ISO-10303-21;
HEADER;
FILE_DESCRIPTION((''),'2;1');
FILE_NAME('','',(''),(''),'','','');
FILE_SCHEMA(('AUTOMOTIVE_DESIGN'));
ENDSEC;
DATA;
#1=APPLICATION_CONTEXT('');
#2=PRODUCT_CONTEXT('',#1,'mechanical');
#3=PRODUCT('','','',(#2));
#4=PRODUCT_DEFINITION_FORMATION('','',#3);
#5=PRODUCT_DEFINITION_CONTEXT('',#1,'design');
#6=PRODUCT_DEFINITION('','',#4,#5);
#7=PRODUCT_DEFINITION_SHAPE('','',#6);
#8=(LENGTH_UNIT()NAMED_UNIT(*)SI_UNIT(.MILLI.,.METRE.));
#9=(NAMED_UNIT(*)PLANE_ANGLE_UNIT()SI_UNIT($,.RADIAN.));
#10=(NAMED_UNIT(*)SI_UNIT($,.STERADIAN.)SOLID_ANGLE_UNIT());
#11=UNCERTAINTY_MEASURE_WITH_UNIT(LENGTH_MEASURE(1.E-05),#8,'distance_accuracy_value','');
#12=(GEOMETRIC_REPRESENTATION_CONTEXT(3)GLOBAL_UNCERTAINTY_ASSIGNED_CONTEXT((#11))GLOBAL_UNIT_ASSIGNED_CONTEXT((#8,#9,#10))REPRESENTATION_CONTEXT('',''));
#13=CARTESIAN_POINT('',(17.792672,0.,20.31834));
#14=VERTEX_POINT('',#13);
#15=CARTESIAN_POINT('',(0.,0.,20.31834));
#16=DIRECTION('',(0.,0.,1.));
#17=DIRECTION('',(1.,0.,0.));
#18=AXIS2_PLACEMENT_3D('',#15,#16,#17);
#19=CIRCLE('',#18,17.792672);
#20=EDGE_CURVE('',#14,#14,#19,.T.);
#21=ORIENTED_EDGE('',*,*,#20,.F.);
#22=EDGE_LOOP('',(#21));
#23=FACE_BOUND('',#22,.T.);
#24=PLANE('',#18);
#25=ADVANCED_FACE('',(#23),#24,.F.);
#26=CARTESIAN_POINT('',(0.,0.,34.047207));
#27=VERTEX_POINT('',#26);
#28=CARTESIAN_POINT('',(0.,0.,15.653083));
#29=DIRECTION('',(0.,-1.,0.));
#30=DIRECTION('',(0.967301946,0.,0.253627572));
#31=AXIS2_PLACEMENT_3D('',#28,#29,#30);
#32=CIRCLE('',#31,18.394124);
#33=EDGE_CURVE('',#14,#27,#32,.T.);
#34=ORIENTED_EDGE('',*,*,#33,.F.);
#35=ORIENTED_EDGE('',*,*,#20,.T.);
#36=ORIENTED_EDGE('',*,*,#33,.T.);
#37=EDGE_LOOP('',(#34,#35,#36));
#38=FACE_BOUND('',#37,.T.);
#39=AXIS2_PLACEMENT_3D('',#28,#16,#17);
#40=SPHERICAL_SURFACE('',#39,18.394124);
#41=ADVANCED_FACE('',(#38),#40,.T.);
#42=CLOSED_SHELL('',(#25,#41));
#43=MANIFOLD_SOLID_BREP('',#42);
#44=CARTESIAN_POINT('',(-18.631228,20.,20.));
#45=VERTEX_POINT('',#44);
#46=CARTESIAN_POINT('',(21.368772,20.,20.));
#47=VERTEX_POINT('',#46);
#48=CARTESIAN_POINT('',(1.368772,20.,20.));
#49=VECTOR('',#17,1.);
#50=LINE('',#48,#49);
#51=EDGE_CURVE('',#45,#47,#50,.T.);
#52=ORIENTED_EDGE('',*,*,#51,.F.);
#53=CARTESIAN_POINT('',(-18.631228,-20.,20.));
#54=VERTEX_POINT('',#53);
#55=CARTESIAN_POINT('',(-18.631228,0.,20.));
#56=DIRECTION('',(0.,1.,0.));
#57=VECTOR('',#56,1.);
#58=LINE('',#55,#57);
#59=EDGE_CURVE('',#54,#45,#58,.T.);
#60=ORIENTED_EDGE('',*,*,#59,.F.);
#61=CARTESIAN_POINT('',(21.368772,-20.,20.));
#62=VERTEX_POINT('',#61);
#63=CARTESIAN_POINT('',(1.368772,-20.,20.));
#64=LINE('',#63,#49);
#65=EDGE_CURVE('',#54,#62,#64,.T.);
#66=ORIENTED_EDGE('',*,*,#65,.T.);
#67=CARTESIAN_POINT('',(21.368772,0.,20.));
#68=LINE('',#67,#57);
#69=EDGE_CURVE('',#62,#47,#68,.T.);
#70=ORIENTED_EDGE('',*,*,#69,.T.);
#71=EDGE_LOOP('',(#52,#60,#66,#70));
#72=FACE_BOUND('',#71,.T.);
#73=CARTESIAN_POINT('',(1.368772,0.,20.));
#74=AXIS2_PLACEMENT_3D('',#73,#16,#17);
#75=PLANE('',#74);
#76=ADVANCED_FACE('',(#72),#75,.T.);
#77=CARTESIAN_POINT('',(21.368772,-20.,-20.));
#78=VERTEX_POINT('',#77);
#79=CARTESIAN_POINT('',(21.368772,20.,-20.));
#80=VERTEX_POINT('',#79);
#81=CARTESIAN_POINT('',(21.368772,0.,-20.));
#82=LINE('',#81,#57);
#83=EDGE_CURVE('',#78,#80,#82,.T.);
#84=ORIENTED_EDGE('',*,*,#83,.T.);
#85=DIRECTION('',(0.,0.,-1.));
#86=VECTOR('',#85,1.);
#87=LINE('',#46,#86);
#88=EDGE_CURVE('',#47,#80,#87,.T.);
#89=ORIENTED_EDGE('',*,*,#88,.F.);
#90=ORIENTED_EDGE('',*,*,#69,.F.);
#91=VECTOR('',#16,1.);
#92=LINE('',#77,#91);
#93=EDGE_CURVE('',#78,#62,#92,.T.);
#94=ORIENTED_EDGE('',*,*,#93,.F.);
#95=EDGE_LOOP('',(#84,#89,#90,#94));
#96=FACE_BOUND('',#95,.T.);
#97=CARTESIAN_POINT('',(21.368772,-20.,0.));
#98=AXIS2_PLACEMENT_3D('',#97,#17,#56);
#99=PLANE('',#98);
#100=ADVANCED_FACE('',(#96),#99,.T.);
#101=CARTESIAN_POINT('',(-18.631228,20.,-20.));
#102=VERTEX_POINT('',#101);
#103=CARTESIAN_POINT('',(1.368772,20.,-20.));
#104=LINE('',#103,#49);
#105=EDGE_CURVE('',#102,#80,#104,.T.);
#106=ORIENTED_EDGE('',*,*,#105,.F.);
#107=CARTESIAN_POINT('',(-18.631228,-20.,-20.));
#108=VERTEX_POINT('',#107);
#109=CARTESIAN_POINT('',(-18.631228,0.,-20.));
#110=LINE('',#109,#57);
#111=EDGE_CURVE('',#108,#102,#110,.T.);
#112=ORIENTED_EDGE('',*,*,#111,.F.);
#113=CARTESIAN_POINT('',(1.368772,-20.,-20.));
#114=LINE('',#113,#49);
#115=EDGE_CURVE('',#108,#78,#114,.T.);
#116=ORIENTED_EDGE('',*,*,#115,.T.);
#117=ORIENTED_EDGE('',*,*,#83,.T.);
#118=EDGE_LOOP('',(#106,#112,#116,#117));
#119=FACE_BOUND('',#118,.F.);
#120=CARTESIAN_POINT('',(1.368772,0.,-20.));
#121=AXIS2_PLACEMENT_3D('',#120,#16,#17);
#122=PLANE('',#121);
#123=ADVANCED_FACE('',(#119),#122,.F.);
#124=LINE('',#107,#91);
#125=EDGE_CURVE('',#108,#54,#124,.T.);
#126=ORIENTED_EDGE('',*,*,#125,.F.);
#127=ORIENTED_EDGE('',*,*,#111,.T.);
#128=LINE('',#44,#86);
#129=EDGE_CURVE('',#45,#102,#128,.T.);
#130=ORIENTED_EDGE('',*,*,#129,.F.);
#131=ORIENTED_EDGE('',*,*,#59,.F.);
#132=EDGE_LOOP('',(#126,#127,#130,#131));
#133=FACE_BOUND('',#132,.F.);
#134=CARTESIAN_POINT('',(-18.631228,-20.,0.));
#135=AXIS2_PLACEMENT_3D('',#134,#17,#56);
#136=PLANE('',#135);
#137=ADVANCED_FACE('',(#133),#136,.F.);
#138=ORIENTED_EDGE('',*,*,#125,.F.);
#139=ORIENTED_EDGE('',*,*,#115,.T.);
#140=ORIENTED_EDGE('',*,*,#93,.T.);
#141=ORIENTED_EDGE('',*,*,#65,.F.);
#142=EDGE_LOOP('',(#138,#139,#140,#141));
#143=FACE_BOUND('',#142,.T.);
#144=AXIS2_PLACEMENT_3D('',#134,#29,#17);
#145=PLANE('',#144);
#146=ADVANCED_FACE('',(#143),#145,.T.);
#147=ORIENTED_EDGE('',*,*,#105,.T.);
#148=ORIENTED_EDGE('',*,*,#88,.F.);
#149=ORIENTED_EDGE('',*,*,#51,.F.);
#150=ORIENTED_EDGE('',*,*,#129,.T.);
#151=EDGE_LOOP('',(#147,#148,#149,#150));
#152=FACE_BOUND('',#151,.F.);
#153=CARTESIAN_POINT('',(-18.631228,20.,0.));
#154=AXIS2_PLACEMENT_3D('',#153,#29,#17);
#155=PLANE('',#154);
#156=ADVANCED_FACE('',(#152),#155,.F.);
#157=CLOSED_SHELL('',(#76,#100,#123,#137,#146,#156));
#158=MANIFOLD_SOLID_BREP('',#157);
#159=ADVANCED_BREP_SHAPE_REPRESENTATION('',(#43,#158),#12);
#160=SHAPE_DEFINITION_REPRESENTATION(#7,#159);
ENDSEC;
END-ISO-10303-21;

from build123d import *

# Parameters (mm, degrees)
F0_W     = 40
F0_H     = 40
F1_DEPTH = 20


with BuildPart() as f1:
    # F0 (on Top) → F1 (new body, symmetric)
    with BuildSketch(Plane.XY):
        with Locations((1.368772, 0)):
            Rectangle(F0_W, F0_H)
    extrude(amount=F1_DEPTH, both=True)


with BuildPart() as f4:
    # F3 (on Front) → F4 (revolve)
    with BuildSketch(Plane.XZ):
        with BuildLine():
            Line((0, 20.31834), (17.792672, 20.31834))
            ThreePointArc((17.792672, 20.31834), (11.236781, 30.216), (0, 34.047207))
            Line((0, 34.047207), (0, 20.31834))
        make_face()
    revolve(axis=Axis((0, 0, 8.158287), (0, 0, 1)))


solid = Compound([f1.part, f4.part])
